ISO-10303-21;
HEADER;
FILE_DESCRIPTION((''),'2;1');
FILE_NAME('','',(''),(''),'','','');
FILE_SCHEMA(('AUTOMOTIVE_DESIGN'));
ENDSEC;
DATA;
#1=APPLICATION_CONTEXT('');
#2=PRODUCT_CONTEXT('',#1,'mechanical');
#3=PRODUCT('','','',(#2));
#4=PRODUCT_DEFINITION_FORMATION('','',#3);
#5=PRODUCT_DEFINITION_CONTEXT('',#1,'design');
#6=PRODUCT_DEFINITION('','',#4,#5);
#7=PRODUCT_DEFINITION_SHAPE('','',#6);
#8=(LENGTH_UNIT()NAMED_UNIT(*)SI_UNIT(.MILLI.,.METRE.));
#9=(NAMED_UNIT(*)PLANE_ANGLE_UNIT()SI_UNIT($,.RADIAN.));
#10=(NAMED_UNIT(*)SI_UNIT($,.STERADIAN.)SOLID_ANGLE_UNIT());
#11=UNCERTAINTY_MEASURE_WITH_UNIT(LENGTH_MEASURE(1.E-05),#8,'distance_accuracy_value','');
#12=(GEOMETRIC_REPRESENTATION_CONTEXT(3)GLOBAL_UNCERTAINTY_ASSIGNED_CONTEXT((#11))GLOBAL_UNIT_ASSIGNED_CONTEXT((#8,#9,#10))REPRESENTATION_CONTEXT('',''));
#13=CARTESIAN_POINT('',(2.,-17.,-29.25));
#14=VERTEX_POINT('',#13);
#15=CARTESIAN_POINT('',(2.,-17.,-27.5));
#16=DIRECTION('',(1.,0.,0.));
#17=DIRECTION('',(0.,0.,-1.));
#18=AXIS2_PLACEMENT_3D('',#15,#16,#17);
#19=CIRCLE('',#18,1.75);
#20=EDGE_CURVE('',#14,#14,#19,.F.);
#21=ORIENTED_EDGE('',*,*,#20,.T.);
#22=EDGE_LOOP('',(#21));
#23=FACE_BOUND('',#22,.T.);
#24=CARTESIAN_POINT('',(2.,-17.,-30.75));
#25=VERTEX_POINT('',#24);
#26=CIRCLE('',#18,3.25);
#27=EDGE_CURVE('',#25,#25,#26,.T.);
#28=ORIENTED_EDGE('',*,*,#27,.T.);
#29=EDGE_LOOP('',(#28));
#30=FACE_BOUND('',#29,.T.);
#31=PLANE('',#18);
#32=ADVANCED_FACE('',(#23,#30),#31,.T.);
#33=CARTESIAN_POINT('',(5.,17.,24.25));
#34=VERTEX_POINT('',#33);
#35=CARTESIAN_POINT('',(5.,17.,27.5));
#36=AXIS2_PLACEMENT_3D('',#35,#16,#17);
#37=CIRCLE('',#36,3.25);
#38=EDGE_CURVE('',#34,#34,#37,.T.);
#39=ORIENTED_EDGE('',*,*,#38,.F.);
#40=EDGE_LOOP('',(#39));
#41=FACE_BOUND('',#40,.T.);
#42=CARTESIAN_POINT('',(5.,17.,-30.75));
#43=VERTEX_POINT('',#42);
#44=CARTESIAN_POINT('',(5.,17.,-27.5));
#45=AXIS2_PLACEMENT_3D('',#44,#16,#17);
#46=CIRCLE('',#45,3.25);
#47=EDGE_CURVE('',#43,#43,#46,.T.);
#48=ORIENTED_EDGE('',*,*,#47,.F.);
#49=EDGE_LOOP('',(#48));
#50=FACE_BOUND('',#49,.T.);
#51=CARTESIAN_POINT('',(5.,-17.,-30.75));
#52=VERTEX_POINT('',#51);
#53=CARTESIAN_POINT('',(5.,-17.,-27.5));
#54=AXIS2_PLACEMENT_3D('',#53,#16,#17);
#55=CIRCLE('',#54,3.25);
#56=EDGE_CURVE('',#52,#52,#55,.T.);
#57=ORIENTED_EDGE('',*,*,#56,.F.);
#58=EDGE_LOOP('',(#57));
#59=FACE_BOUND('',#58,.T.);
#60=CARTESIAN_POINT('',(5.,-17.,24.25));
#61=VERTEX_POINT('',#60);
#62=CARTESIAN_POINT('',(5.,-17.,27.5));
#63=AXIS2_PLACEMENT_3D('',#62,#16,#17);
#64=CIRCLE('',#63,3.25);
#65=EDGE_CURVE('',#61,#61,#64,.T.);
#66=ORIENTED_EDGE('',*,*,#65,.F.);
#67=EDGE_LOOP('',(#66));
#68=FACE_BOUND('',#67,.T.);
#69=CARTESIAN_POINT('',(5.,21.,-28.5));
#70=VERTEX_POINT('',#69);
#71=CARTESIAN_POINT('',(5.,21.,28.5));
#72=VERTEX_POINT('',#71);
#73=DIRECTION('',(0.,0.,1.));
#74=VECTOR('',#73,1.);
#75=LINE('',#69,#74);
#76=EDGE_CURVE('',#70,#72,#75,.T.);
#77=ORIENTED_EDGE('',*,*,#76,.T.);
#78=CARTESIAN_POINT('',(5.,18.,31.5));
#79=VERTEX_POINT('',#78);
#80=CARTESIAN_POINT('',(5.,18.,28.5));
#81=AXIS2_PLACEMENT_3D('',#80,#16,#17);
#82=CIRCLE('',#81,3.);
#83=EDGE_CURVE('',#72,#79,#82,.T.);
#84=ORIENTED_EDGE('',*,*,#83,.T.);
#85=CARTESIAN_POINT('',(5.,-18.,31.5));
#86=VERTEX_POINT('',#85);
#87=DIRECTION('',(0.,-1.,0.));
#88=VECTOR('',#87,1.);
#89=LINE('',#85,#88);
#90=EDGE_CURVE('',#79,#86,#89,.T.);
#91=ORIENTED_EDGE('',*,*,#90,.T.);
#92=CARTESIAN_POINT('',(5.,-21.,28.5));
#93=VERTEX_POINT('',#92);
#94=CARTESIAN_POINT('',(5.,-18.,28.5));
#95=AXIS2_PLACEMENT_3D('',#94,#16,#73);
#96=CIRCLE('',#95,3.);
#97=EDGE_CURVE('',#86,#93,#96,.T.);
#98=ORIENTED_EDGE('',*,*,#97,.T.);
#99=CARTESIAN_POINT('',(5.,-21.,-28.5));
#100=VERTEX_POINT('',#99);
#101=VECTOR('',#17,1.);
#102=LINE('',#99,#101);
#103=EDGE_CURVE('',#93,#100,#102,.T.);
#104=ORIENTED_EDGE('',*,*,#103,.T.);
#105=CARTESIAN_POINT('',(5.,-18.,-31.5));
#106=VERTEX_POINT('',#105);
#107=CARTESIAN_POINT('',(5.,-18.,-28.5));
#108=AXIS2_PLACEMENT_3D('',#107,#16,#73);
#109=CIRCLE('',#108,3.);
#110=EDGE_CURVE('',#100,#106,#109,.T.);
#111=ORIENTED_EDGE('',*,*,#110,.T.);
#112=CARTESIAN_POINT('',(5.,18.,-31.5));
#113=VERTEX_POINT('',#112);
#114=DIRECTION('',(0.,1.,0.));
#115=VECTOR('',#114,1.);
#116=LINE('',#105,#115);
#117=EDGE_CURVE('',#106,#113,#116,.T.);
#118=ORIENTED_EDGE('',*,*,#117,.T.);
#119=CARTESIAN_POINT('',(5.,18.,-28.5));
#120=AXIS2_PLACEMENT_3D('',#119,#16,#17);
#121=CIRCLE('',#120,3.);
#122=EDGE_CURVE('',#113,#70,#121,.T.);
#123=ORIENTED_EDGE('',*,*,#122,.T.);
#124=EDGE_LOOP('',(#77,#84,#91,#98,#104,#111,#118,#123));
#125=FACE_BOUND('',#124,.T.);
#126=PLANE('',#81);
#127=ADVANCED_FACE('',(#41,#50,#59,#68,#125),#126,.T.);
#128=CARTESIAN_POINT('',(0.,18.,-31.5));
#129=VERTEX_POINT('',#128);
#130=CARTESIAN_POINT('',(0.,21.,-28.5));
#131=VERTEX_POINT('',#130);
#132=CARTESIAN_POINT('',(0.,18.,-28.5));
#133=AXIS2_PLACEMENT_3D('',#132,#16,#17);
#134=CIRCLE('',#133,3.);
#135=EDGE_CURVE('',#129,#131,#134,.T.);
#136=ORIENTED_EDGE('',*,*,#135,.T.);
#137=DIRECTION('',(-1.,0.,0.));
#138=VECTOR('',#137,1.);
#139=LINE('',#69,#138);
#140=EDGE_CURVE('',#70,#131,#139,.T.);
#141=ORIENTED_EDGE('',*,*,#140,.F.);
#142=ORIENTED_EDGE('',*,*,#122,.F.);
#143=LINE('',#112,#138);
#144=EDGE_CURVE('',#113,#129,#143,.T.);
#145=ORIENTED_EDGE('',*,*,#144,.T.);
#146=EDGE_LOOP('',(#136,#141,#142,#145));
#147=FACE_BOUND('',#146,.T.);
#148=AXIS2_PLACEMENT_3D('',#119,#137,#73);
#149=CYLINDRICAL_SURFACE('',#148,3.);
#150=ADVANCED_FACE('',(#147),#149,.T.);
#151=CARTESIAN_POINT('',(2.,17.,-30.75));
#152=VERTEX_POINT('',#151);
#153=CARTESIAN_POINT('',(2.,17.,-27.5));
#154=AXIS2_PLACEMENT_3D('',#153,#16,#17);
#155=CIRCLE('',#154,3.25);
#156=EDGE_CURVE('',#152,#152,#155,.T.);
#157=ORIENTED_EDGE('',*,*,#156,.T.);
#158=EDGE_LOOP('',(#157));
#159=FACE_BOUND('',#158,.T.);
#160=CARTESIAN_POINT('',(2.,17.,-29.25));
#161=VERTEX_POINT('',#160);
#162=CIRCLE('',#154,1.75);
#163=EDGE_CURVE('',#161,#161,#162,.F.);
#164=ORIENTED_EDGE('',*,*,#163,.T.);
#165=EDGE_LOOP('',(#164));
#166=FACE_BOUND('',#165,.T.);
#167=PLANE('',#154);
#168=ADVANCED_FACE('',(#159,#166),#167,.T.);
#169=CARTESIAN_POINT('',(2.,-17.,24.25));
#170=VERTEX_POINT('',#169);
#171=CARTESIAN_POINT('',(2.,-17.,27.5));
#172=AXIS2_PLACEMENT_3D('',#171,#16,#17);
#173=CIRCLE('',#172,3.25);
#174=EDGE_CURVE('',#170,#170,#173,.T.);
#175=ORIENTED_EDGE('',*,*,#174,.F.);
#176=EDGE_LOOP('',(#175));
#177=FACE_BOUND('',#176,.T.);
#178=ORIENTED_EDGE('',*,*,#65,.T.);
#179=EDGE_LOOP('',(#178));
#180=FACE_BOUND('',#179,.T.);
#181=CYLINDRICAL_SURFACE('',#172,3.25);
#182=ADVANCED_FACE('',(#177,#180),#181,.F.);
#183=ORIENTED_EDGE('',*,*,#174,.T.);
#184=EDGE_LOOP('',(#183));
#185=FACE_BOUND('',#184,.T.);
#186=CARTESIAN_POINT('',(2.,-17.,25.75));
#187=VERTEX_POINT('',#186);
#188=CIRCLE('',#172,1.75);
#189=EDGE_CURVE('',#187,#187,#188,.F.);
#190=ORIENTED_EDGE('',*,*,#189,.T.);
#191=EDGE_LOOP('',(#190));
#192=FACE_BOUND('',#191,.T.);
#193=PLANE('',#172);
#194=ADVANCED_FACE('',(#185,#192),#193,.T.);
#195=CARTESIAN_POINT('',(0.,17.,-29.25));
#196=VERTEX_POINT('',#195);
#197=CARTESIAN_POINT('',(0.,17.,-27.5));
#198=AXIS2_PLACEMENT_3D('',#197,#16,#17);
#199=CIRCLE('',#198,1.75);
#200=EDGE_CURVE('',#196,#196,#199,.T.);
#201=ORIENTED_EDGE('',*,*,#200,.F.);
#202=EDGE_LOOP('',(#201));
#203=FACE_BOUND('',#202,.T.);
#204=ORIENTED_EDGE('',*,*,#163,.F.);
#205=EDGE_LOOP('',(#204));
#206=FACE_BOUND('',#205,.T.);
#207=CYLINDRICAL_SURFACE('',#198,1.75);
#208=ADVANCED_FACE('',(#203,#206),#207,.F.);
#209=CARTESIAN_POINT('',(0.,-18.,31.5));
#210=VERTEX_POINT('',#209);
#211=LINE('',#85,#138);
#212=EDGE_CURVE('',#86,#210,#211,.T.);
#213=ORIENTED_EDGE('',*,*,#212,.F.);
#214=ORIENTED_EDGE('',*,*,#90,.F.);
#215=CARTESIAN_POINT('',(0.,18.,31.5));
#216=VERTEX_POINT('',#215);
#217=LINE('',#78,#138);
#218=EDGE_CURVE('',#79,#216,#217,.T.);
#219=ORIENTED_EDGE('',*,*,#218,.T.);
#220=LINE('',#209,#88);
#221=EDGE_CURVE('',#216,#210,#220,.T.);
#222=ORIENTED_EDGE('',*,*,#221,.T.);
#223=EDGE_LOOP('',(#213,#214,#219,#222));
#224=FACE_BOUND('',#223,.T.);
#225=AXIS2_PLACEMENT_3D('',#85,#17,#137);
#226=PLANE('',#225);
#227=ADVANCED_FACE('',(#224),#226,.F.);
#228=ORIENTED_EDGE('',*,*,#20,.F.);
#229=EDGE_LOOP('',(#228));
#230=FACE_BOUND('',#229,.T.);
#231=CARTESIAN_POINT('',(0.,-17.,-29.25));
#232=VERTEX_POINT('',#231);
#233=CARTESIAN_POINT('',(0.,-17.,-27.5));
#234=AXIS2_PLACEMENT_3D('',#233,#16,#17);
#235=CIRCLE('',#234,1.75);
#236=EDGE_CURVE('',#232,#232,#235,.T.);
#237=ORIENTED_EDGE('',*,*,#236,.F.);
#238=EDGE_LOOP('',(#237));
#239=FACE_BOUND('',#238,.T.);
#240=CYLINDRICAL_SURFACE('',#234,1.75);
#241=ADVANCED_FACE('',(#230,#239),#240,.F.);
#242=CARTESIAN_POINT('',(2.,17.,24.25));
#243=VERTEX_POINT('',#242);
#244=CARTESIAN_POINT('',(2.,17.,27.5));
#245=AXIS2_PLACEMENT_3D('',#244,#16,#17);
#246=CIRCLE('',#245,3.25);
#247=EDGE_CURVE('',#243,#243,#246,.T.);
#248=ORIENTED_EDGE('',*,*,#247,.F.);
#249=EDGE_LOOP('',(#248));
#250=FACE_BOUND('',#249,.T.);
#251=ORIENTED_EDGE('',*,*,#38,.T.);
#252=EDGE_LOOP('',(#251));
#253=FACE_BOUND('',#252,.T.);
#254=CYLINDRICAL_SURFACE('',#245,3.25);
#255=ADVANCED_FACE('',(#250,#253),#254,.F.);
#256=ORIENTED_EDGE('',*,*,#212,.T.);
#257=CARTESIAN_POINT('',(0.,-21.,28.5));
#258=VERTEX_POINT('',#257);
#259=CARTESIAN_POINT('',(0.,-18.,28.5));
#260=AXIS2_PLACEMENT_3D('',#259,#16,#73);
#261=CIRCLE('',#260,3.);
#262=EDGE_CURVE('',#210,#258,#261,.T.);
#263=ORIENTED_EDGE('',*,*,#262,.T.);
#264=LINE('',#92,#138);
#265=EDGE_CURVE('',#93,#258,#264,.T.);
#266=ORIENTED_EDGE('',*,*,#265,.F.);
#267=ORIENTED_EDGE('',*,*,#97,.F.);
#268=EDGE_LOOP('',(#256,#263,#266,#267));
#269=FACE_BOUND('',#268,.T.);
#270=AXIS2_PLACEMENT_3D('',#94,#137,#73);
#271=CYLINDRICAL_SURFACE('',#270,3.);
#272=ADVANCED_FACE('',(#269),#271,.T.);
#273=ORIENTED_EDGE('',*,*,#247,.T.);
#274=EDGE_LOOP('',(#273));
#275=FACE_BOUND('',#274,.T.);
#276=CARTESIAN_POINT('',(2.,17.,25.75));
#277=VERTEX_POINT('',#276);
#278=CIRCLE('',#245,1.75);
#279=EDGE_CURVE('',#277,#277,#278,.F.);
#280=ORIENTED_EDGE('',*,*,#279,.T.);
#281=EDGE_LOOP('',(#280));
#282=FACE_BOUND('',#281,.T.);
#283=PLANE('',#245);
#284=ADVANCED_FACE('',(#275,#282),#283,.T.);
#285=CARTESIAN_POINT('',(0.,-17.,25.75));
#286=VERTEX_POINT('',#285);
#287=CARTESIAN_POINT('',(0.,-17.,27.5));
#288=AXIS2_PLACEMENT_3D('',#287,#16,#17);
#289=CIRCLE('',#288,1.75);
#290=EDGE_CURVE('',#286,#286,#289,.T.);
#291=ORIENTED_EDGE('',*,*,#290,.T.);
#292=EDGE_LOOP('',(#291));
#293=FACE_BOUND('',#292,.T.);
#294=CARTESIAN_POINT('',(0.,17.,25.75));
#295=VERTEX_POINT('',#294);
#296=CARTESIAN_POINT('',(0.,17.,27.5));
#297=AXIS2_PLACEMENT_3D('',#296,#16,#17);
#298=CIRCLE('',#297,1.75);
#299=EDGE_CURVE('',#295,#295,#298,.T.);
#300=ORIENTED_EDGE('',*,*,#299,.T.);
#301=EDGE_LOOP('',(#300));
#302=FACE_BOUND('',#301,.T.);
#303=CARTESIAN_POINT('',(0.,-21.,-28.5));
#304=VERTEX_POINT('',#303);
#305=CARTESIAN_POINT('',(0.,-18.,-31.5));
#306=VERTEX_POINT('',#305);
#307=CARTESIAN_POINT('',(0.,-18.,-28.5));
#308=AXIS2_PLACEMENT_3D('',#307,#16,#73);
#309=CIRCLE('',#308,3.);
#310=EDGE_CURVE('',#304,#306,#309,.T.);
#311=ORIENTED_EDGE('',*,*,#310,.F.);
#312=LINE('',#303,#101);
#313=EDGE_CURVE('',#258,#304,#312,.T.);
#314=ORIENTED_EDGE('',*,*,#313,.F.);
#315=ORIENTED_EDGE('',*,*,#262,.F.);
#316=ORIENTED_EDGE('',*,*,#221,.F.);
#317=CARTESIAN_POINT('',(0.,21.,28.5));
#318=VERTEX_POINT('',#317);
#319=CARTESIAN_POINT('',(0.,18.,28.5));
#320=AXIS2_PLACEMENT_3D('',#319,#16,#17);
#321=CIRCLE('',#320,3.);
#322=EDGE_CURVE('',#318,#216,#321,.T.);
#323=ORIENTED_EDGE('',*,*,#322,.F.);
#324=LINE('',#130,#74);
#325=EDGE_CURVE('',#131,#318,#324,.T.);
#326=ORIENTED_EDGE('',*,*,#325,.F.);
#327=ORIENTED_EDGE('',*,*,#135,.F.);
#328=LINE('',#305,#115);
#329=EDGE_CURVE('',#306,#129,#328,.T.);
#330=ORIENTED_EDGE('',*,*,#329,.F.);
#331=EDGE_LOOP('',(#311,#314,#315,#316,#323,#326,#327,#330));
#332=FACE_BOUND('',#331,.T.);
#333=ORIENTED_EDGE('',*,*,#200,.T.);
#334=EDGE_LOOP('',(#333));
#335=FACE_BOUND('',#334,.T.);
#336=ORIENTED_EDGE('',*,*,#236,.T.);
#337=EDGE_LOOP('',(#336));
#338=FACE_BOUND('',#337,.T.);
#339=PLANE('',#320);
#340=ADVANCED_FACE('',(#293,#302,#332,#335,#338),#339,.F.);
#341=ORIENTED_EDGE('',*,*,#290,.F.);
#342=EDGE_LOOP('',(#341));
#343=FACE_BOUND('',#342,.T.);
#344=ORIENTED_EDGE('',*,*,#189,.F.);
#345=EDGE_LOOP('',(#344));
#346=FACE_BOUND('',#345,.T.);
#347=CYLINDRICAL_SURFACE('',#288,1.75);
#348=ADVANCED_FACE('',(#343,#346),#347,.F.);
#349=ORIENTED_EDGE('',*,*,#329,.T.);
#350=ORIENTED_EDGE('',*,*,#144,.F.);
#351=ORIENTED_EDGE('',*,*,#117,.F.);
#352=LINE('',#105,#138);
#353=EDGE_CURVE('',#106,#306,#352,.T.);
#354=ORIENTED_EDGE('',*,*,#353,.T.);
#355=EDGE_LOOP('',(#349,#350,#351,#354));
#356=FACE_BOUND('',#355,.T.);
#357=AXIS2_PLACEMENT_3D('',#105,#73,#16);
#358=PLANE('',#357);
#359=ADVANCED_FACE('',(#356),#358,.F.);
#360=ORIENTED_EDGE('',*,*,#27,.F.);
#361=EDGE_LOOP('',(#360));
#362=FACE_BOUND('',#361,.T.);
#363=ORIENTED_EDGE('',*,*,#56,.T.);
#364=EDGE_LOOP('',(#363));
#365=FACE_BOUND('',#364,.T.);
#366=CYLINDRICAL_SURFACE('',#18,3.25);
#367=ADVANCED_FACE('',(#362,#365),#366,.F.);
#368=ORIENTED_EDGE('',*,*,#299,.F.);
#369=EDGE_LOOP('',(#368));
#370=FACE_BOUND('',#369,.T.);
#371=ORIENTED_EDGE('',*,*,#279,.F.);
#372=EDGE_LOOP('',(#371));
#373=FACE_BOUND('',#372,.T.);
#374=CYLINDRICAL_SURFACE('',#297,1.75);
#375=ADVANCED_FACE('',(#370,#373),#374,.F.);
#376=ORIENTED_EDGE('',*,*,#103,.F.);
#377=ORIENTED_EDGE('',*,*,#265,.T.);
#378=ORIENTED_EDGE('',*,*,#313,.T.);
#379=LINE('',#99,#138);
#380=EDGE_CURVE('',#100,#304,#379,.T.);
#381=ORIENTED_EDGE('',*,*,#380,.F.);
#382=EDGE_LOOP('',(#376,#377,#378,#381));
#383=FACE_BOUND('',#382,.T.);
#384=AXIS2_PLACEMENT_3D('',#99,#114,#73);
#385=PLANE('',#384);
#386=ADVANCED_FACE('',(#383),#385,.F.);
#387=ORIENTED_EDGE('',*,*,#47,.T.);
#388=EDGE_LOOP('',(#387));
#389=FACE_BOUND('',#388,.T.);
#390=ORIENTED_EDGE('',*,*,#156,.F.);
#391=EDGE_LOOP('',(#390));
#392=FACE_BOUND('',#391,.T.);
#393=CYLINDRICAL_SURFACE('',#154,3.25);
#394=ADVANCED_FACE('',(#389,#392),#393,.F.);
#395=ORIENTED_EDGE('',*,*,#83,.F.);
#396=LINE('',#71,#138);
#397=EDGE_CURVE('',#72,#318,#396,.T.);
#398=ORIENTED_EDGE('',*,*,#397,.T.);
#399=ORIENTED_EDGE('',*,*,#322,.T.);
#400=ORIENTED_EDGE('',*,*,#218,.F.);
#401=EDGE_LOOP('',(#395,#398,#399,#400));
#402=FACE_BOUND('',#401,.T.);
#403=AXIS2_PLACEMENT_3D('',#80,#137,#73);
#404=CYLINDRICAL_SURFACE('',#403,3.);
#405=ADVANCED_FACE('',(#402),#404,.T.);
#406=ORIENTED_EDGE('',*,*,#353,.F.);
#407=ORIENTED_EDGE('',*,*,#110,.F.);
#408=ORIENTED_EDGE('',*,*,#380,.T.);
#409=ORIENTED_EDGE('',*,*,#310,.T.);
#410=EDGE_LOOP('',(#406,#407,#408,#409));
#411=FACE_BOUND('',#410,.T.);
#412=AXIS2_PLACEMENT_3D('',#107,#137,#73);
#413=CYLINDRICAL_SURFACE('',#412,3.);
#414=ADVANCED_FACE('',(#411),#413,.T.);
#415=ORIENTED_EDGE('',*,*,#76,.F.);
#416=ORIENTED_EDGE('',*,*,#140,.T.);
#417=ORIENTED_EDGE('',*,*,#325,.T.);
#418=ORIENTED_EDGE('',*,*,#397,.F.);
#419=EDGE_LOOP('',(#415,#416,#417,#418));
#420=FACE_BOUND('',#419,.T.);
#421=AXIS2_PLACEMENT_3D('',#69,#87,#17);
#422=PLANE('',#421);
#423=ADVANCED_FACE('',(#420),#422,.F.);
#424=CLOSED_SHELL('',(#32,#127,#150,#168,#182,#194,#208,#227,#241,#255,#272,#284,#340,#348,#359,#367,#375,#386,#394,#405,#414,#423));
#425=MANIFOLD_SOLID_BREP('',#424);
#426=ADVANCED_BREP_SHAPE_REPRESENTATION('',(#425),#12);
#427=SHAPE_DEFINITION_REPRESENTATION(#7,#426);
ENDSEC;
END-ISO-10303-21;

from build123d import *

# Parameters (mm, degrees)
BOSS_EXTRUDE1_DEPTH = 5
SKETCH2_R           = 1.75
CUT_EXTRUDE1_DEPTH  = 39.187039686
SKETCH3_R           = 3.25
CUT_EXTRUDE2_DEPTH  = 3


with BuildPart() as part:
    # Sketch1 → Boss-Extrude1 (new body)
    with BuildSketch(Plane.YZ):
        with BuildLine():
            Line((-18, -31.5), (18, -31.5))
            ThreePointArc((18, -31.5), (20.121320344, -30.621320344), (21, -28.5))
            Line((21, -28.5), (21, 28.5))
            ThreePointArc((21, 28.5), (20.121320344, 30.621320344), (18, 31.5))
            Line((18, 31.5), (-18, 31.5))
            ThreePointArc((-18, 31.5), (-20.121320344, 30.621320344), (-21, 28.5))
            Line((-21, 28.5), (-21, -28.5))
            ThreePointArc((-21, -28.5), (-20.121320344, -30.621320344), (-18, -31.5))
        make_face()
    extrude(amount=BOSS_EXTRUDE1_DEPTH)

    # Sketch2 → Cut-Extrude1 (cut, through all)
    with BuildSketch(Plane.YZ.offset(5)):
        with Locations(Location((-17, 27.5, 0), (0, 0, 270))):
            Circle(SKETCH2_R)
        with Locations(Location((17, 27.5, 0), (0, 0, 270))):
            Circle(SKETCH2_R)
        with Locations(Location((17, -27.5, 0), (0, 0, 270))):
            Circle(SKETCH2_R)
        with Locations(Location((-17, -27.5, 0), (0, 0, 270))):
            Circle(SKETCH2_R)
    extrude(amount=-CUT_EXTRUDE1_DEPTH, mode=Mode.SUBTRACT)

    # Sketch3 → Cut-Extrude2 (cut)
    with BuildSketch(Plane.YZ.offset(5)):
        with Locations(Location((17, 27.5, 0), (0, 0, 270))):
            Circle(SKETCH3_R)
        with Locations(Location((-17, 27.5, 0), (0, 0, 270))):
            Circle(SKETCH3_R)
        with Locations(Location((17, -27.5, 0), (0, 0, 270))):
            Circle(SKETCH3_R)
        with Locations(Location((-17, -27.5, 0), (0, 0, 270))):
            Circle(SKETCH3_R)
    extrude(amount=-CUT_EXTRUDE2_DEPTH, mode=Mode.SUBTRACT)


solid = part.part
